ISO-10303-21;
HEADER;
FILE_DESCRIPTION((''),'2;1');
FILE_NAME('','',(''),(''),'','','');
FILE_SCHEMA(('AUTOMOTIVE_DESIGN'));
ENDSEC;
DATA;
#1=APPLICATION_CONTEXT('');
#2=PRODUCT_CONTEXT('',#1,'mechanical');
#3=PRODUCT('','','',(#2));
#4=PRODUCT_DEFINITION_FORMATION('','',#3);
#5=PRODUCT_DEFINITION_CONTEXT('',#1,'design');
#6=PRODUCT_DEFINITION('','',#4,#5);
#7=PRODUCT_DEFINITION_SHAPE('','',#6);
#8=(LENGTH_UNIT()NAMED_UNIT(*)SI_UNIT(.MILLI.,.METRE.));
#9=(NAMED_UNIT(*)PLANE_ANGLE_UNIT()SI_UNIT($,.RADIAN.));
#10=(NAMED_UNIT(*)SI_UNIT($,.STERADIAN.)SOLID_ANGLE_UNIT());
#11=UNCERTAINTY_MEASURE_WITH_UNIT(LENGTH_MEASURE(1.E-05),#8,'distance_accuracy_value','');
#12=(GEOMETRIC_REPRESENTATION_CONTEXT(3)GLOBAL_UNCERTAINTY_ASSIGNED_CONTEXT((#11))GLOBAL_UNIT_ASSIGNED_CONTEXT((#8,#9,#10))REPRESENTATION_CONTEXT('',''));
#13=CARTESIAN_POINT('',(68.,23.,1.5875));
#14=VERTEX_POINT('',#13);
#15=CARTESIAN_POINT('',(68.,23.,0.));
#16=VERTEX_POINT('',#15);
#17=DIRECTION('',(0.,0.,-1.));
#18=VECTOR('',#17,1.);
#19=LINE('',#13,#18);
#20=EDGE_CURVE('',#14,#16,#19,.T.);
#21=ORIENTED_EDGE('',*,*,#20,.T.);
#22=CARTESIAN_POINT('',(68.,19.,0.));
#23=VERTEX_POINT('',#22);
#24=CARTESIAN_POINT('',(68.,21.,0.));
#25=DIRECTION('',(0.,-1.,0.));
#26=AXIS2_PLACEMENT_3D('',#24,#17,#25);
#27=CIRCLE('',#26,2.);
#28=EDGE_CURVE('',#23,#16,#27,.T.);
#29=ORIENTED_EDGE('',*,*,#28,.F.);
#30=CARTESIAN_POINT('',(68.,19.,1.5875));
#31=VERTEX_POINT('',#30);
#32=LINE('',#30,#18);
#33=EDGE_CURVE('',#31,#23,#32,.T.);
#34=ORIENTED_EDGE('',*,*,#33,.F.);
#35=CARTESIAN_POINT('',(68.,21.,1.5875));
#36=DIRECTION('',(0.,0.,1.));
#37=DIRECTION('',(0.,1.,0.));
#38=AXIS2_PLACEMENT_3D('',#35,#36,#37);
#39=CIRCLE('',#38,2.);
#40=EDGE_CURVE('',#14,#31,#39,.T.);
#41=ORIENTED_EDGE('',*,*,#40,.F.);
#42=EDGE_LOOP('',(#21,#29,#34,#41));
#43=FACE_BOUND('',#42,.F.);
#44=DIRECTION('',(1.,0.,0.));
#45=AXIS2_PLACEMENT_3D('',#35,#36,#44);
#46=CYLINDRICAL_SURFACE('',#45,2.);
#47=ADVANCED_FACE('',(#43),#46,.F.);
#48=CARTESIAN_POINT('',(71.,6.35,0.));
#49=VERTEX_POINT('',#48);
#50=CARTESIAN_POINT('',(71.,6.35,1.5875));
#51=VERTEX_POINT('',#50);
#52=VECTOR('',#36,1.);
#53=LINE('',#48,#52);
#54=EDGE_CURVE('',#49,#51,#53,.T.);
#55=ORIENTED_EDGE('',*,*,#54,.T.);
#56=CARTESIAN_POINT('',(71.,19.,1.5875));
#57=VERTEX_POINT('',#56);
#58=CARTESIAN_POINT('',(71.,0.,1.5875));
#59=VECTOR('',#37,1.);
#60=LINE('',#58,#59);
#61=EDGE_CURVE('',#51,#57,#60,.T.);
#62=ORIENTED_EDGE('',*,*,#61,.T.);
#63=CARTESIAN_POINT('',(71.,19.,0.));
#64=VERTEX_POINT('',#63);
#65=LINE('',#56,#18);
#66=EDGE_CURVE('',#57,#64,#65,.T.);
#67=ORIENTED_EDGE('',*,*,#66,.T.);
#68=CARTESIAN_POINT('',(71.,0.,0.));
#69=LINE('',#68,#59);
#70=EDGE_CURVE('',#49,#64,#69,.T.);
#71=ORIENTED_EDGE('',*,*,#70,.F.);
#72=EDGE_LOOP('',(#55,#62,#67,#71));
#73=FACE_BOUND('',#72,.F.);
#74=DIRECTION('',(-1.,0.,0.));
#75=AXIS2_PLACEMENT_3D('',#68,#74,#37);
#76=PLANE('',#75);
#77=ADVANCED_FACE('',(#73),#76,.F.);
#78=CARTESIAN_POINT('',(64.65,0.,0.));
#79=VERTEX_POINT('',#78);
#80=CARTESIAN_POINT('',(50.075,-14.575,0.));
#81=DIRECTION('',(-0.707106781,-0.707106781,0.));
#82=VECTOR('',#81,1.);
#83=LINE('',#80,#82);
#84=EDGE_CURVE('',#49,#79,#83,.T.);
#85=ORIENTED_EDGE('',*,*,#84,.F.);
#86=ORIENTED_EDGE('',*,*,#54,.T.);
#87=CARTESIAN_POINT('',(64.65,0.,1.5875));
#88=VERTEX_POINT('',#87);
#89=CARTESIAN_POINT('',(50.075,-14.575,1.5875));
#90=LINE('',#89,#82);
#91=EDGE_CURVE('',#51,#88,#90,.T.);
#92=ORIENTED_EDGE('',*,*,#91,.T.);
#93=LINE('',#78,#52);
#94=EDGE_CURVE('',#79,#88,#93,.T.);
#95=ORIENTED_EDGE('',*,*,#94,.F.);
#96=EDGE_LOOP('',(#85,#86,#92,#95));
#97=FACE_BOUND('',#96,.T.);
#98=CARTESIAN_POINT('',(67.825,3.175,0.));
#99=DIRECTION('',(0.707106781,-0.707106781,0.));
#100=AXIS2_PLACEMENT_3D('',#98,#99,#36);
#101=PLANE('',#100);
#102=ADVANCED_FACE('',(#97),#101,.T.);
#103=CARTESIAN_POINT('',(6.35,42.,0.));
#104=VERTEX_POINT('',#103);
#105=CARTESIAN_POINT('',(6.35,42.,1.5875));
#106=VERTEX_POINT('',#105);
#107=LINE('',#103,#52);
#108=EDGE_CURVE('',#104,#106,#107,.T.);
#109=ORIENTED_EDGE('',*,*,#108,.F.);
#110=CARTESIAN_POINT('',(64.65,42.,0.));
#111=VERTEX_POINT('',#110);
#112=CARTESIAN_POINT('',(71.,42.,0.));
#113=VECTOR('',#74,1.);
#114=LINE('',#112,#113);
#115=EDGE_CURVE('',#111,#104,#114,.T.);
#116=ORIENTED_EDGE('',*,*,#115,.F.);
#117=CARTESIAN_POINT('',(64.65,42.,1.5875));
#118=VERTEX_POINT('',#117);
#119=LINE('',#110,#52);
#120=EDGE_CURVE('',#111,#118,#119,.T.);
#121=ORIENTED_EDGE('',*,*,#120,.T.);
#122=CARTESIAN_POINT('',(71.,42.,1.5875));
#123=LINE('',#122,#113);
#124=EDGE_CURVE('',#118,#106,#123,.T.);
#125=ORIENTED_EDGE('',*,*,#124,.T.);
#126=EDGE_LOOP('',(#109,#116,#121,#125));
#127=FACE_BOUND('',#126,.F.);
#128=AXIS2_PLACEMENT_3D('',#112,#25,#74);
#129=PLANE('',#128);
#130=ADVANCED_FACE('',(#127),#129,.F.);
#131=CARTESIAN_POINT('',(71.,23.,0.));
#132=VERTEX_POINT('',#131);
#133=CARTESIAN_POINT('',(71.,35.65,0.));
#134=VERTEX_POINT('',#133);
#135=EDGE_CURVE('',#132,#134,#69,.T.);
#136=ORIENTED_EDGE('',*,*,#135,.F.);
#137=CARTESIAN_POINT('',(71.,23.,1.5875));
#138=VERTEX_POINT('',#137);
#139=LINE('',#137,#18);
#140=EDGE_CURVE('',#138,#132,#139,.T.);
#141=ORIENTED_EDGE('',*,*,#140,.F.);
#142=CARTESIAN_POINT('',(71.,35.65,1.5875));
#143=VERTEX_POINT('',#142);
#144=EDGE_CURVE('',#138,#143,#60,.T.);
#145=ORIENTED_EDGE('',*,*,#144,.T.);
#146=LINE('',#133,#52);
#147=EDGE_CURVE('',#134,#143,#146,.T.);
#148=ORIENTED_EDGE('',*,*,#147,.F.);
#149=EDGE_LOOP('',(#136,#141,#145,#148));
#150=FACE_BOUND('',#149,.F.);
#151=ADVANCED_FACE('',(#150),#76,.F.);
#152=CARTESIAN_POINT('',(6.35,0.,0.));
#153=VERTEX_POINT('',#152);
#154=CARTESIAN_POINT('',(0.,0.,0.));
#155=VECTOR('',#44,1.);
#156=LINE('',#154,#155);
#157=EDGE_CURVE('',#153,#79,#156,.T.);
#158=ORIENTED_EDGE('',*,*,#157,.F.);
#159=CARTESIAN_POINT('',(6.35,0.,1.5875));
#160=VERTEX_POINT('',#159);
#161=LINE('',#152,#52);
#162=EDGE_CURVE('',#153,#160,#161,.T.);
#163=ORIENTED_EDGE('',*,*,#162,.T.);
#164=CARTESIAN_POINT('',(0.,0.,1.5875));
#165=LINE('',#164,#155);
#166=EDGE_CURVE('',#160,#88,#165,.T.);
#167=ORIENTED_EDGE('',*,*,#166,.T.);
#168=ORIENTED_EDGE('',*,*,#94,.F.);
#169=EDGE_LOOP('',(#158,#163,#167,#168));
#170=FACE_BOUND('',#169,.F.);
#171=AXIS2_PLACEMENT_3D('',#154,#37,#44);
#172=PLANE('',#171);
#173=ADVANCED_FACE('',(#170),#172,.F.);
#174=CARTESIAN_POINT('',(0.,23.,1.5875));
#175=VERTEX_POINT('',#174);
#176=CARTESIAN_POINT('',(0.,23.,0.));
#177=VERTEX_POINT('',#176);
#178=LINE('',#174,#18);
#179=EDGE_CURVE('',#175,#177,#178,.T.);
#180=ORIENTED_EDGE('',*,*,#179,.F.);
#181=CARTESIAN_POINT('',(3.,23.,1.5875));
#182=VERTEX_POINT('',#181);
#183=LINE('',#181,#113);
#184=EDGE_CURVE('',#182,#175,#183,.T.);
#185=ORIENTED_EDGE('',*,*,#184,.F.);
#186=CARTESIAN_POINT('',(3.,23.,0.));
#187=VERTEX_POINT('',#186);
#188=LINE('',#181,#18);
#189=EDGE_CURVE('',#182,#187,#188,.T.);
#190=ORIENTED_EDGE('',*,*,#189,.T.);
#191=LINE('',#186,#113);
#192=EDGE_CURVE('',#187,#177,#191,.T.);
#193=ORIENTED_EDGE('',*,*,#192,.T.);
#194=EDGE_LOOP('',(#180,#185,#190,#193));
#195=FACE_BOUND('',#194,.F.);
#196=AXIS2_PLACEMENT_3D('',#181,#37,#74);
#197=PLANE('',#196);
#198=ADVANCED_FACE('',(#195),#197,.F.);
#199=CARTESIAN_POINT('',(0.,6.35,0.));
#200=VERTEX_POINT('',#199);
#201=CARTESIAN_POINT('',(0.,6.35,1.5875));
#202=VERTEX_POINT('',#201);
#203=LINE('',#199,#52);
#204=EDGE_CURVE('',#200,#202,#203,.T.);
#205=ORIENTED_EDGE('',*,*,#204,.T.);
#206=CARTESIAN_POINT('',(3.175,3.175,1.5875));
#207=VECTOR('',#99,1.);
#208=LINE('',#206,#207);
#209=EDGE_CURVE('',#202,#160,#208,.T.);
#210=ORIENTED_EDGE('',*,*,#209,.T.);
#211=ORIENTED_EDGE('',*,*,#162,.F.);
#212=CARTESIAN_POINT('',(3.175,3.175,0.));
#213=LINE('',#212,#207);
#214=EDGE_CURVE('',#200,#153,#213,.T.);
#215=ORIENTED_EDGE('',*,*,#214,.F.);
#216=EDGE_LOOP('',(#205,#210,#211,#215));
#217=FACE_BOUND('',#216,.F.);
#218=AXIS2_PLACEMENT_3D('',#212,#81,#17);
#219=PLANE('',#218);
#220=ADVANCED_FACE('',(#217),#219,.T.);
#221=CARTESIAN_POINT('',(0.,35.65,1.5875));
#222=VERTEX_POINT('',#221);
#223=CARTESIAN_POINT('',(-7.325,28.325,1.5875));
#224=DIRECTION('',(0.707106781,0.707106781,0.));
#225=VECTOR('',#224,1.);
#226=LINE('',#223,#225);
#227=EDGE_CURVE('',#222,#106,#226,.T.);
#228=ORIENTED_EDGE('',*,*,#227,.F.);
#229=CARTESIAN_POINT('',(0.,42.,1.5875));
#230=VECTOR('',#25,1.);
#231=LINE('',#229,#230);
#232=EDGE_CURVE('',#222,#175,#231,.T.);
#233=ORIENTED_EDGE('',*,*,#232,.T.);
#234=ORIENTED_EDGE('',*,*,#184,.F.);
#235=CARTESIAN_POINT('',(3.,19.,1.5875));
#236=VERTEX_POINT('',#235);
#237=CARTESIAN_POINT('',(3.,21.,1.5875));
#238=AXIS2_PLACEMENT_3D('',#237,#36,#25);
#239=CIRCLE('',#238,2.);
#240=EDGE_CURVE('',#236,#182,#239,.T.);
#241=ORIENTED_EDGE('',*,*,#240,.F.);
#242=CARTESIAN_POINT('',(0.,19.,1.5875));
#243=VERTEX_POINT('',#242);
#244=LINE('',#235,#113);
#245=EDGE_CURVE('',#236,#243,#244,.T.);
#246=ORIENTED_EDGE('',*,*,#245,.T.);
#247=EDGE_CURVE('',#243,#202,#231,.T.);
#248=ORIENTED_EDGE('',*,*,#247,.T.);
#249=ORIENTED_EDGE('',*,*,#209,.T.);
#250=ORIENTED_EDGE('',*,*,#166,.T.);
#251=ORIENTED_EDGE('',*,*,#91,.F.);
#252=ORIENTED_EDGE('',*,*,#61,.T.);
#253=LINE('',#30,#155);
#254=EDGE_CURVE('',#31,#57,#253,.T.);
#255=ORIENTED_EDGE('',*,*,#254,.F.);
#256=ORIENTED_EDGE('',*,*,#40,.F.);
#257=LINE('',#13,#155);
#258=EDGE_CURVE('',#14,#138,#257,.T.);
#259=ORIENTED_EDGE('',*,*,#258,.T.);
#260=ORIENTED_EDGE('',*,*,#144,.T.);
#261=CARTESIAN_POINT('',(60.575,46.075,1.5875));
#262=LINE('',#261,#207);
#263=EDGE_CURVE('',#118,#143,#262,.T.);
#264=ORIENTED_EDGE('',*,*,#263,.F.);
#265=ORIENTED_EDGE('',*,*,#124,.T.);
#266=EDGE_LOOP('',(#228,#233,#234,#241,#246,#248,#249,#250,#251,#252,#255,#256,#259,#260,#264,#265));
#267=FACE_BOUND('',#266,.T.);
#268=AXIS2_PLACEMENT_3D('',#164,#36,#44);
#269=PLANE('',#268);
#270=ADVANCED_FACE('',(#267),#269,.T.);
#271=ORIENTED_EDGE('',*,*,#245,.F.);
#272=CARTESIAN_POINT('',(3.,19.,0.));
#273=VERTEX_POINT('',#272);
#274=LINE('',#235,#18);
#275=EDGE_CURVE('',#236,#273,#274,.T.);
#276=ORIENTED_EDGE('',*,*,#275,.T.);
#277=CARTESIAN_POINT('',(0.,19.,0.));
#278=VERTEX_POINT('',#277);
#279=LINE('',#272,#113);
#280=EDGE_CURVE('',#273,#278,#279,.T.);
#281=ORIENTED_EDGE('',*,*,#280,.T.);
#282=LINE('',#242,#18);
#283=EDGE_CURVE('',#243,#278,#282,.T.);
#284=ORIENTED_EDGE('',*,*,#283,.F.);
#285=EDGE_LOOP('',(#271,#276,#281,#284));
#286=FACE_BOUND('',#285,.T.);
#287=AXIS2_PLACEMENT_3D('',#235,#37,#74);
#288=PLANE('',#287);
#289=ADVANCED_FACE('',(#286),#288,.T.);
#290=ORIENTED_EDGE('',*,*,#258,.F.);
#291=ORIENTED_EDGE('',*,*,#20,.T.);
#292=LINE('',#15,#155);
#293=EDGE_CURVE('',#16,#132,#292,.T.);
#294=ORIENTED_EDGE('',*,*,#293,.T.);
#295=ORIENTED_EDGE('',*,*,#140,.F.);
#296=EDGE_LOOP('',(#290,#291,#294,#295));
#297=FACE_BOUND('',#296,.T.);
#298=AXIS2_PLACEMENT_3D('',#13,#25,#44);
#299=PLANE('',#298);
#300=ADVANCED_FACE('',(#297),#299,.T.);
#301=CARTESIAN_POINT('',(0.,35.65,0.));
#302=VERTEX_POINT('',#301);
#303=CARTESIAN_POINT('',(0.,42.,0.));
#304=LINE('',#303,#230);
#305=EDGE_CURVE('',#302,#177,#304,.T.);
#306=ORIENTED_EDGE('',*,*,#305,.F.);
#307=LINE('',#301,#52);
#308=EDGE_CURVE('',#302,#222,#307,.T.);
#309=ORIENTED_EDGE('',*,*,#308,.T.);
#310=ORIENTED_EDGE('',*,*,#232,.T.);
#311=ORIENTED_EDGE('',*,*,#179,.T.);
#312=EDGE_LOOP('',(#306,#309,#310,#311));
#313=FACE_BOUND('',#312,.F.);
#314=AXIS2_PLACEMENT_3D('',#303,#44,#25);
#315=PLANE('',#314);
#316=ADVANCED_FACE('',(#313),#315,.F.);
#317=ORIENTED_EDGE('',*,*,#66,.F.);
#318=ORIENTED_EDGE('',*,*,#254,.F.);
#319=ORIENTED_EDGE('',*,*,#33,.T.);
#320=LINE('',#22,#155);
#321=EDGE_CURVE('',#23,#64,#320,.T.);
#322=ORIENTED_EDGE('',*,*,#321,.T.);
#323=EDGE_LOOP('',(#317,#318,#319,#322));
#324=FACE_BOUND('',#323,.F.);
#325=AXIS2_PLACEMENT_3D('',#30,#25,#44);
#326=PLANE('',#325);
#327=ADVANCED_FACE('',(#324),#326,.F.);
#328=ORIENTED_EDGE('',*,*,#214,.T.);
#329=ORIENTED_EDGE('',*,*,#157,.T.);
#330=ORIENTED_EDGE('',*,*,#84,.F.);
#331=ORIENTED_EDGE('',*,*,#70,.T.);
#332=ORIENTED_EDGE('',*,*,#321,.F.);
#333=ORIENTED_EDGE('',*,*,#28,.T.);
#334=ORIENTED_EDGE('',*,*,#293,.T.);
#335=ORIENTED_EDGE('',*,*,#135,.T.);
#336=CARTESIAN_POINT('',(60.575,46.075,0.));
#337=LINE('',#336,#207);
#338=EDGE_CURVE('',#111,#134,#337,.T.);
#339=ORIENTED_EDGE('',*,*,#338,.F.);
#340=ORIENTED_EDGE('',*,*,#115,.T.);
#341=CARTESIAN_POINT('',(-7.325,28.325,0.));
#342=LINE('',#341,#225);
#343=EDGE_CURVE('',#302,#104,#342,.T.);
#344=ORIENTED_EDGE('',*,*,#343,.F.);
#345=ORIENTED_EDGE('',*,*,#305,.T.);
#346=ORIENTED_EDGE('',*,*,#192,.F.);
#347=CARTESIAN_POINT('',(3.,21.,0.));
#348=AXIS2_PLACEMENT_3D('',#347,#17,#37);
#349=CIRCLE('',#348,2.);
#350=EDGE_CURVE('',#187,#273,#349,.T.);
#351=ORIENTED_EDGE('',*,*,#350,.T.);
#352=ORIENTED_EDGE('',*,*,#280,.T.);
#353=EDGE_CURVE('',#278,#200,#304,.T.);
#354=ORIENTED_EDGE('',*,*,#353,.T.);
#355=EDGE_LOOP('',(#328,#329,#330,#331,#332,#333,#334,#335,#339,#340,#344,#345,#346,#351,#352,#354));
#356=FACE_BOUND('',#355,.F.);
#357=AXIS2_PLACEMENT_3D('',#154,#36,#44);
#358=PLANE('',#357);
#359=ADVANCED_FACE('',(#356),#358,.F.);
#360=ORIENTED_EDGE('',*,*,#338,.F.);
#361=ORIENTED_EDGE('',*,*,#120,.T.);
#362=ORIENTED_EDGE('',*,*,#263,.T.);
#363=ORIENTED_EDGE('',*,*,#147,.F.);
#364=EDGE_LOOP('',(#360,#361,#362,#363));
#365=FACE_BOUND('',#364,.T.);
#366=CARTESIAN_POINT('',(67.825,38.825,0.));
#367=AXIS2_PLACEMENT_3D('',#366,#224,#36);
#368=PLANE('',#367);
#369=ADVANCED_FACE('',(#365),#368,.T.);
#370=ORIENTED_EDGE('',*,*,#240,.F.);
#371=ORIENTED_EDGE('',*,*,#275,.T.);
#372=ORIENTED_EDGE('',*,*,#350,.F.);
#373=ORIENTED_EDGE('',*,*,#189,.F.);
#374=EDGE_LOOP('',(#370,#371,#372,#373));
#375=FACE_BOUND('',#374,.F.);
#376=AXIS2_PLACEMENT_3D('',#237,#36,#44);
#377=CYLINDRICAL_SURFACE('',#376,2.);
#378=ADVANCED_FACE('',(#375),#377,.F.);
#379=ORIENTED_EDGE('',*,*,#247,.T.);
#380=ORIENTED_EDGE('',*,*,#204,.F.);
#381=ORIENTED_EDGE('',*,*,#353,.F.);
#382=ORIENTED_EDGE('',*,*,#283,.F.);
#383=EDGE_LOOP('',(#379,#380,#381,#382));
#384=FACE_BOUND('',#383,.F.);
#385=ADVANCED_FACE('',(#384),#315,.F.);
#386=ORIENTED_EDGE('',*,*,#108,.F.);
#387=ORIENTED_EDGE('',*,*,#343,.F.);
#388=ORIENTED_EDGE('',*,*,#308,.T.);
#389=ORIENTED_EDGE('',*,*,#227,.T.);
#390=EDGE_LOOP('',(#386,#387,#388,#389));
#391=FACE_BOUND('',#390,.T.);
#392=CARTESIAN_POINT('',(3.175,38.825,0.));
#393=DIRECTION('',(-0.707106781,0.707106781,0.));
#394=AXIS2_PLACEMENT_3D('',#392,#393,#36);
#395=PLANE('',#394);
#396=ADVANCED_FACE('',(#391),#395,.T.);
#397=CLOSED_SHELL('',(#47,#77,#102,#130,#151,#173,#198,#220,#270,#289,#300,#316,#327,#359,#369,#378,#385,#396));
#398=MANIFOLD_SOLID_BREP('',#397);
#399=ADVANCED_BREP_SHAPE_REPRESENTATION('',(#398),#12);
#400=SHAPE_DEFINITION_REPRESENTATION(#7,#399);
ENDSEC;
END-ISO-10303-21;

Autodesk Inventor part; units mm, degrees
ref_plane "YZ Plane" through (0, 0, 0) normal (1, 0, 0) x (0, 1, 0)
ref_plane "XZ Plane" through (0, 0, 0) normal (0, 1, 0) x (-1, 0, 0)
ref_plane "XY Plane" through (0, 0, 0) normal (0, 0, 1) x (1, 0, 0)
sketch "Sketch1" plane through (0, 0, 0) normal (0, 0, 1) x (1, 0, 0)
  line L0 (0, 0) -> (71, 0)
  line L1 (71, 0) -> (71, 42)
  line L2 (71, 42) -> (0, 42)
  line L3 (0, 42) -> (0, 0)
  dimension "d0" = 71
  dimension "d1" = 42
extrude "Extrusion1" add sketch "Sketch1" along normal blind 1.5875
chamfer "Chamfer1" distance 6.35 angle 45 4 edges at (0, 42, 0.7937) (0, 0, 0.7937) (71, 0, 0.7937) (71, 42, 0.7937)
sketch "Sketch2" plane through (0, 0, 1.5875) normal (0, 0, 1) x (1, 0, 0)
  line L0 (0, 6.35) -> (0, 35.65) projected
  line L1 (71, 35.65) -> (71, 6.35) projected
  circle A0 centre (3, 21) radius 2
  circle A1 centre (68, 21) radius 2
  line L2 (5, 21) -> (5, 26.1458)
  line L3 (3, 23) -> (0, 23)
  line L4 (3, 19) -> (0, 19)
  line L5 (66, 18.2827) -> (66, 24.0716)
  line L6 (68, 23) -> (71, 23)
  line L7 (68, 19) -> (71, 19)
  line L8 (71, 19) -> (71, 23)
  line L9 (0, 19) -> (0, 23)
  point P0 (0, 0)
  dimension "d7" = 4
  dimension "d8" = 4
  dimension "d10" = 5
  dimension "d11" = 5
extrude "Extrusion2" cut sketch "Sketch2" against normal blind 1.5875
sketch "Sketch3" plane through (0, 0, 1.5875) normal (0, 0, 1) x (1, 0, 0)
  line L0 (71, 19) -> (71, 6.35) projected
  line L1 (1.5875, 42) -> (69.4125, 42)
  line L2 (69.4125, 42) -> (69.4125, 0)
  line L3 (69.4125, 0) -> (1.5875, 0)
  line L4 (1.5875, 0) -> (1.5875, 42)
  line L5 (0, 40.64) -> (63.5, 40.64)
  line L6 (63.5, 40.64) -> (63.5, 0)
  line L7 (63.5, 0) -> (0, 0)
  line L8 (0, 0) -> (0, 40.64)
  point P0 (0, 0)
  dimension "d14" = 67.825
  dimension "d15" = 1.5875
  dimension "d16" = 63.5
  dimension "d17" = 42
  dimension "d18" = 40.64
properties part number "ElectronicsBoard" material "Phenolic"
